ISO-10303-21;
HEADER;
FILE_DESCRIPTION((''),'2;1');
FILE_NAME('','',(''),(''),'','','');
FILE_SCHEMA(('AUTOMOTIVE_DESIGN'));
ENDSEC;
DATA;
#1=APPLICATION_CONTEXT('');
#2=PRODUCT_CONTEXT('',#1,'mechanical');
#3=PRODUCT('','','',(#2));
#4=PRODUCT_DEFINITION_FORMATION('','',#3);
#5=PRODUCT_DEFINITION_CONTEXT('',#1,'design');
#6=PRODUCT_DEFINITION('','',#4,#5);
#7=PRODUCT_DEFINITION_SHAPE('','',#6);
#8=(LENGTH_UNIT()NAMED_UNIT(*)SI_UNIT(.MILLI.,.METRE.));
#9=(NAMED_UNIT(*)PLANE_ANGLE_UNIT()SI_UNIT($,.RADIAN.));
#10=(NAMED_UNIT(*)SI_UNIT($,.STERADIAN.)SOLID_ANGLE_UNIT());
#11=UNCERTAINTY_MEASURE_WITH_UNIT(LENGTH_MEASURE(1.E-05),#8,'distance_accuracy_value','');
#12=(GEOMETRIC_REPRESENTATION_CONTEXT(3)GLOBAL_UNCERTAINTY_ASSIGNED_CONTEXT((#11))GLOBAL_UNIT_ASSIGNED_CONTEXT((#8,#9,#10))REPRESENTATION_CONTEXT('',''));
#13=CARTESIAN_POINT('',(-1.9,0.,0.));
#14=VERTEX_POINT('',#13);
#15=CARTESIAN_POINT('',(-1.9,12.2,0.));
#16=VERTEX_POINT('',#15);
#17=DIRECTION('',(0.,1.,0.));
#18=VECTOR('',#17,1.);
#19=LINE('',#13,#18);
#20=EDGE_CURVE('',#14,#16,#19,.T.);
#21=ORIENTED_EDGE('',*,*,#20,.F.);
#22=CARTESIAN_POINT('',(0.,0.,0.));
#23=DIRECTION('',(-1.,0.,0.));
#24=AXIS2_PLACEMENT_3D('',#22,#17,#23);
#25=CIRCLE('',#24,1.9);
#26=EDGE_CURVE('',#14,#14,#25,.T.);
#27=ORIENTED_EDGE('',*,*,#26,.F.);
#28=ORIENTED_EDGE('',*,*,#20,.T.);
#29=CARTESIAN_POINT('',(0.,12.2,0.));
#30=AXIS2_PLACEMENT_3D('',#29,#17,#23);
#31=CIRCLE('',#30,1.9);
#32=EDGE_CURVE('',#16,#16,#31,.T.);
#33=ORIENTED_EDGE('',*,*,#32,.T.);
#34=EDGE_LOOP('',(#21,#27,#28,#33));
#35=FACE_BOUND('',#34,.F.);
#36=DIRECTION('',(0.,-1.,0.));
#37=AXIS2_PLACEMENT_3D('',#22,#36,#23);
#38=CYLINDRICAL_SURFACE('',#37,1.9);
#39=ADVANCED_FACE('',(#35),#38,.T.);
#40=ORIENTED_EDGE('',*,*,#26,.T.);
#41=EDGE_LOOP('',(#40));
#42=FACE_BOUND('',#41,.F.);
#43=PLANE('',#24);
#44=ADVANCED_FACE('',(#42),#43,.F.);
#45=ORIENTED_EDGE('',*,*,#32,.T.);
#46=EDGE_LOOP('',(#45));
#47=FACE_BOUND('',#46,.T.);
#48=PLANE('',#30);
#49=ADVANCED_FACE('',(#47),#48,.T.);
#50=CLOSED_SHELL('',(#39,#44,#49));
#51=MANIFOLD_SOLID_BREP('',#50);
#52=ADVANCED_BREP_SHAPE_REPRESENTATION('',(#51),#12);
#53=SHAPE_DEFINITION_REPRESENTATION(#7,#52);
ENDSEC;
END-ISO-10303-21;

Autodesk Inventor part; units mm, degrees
ref_plane "YZ Plane" through (0, 0, 0) normal (1, 0, 0) x (0, 1, 0)
ref_plane "XZ Plane" through (0, 0, 0) normal (0, 1, 0) x (-1, 0, 0)
ref_plane "XY Plane" through (0, 0, 0) normal (0, 0, 1) x (1, 0, 0)
sketch "Sketch1" plane through (0, 0, 0) normal (0, 1, 0) x (-1, 0, 0)
  circle A0 centre (0, 0) radius 1.9
  dimension "d0" = 3.8
extrude "Extrusion1" add sketch "Sketch1" along normal blind 12.2
properties part number "Cap Pulley Support Shaft V1" material "Thermoplastic Resin"
